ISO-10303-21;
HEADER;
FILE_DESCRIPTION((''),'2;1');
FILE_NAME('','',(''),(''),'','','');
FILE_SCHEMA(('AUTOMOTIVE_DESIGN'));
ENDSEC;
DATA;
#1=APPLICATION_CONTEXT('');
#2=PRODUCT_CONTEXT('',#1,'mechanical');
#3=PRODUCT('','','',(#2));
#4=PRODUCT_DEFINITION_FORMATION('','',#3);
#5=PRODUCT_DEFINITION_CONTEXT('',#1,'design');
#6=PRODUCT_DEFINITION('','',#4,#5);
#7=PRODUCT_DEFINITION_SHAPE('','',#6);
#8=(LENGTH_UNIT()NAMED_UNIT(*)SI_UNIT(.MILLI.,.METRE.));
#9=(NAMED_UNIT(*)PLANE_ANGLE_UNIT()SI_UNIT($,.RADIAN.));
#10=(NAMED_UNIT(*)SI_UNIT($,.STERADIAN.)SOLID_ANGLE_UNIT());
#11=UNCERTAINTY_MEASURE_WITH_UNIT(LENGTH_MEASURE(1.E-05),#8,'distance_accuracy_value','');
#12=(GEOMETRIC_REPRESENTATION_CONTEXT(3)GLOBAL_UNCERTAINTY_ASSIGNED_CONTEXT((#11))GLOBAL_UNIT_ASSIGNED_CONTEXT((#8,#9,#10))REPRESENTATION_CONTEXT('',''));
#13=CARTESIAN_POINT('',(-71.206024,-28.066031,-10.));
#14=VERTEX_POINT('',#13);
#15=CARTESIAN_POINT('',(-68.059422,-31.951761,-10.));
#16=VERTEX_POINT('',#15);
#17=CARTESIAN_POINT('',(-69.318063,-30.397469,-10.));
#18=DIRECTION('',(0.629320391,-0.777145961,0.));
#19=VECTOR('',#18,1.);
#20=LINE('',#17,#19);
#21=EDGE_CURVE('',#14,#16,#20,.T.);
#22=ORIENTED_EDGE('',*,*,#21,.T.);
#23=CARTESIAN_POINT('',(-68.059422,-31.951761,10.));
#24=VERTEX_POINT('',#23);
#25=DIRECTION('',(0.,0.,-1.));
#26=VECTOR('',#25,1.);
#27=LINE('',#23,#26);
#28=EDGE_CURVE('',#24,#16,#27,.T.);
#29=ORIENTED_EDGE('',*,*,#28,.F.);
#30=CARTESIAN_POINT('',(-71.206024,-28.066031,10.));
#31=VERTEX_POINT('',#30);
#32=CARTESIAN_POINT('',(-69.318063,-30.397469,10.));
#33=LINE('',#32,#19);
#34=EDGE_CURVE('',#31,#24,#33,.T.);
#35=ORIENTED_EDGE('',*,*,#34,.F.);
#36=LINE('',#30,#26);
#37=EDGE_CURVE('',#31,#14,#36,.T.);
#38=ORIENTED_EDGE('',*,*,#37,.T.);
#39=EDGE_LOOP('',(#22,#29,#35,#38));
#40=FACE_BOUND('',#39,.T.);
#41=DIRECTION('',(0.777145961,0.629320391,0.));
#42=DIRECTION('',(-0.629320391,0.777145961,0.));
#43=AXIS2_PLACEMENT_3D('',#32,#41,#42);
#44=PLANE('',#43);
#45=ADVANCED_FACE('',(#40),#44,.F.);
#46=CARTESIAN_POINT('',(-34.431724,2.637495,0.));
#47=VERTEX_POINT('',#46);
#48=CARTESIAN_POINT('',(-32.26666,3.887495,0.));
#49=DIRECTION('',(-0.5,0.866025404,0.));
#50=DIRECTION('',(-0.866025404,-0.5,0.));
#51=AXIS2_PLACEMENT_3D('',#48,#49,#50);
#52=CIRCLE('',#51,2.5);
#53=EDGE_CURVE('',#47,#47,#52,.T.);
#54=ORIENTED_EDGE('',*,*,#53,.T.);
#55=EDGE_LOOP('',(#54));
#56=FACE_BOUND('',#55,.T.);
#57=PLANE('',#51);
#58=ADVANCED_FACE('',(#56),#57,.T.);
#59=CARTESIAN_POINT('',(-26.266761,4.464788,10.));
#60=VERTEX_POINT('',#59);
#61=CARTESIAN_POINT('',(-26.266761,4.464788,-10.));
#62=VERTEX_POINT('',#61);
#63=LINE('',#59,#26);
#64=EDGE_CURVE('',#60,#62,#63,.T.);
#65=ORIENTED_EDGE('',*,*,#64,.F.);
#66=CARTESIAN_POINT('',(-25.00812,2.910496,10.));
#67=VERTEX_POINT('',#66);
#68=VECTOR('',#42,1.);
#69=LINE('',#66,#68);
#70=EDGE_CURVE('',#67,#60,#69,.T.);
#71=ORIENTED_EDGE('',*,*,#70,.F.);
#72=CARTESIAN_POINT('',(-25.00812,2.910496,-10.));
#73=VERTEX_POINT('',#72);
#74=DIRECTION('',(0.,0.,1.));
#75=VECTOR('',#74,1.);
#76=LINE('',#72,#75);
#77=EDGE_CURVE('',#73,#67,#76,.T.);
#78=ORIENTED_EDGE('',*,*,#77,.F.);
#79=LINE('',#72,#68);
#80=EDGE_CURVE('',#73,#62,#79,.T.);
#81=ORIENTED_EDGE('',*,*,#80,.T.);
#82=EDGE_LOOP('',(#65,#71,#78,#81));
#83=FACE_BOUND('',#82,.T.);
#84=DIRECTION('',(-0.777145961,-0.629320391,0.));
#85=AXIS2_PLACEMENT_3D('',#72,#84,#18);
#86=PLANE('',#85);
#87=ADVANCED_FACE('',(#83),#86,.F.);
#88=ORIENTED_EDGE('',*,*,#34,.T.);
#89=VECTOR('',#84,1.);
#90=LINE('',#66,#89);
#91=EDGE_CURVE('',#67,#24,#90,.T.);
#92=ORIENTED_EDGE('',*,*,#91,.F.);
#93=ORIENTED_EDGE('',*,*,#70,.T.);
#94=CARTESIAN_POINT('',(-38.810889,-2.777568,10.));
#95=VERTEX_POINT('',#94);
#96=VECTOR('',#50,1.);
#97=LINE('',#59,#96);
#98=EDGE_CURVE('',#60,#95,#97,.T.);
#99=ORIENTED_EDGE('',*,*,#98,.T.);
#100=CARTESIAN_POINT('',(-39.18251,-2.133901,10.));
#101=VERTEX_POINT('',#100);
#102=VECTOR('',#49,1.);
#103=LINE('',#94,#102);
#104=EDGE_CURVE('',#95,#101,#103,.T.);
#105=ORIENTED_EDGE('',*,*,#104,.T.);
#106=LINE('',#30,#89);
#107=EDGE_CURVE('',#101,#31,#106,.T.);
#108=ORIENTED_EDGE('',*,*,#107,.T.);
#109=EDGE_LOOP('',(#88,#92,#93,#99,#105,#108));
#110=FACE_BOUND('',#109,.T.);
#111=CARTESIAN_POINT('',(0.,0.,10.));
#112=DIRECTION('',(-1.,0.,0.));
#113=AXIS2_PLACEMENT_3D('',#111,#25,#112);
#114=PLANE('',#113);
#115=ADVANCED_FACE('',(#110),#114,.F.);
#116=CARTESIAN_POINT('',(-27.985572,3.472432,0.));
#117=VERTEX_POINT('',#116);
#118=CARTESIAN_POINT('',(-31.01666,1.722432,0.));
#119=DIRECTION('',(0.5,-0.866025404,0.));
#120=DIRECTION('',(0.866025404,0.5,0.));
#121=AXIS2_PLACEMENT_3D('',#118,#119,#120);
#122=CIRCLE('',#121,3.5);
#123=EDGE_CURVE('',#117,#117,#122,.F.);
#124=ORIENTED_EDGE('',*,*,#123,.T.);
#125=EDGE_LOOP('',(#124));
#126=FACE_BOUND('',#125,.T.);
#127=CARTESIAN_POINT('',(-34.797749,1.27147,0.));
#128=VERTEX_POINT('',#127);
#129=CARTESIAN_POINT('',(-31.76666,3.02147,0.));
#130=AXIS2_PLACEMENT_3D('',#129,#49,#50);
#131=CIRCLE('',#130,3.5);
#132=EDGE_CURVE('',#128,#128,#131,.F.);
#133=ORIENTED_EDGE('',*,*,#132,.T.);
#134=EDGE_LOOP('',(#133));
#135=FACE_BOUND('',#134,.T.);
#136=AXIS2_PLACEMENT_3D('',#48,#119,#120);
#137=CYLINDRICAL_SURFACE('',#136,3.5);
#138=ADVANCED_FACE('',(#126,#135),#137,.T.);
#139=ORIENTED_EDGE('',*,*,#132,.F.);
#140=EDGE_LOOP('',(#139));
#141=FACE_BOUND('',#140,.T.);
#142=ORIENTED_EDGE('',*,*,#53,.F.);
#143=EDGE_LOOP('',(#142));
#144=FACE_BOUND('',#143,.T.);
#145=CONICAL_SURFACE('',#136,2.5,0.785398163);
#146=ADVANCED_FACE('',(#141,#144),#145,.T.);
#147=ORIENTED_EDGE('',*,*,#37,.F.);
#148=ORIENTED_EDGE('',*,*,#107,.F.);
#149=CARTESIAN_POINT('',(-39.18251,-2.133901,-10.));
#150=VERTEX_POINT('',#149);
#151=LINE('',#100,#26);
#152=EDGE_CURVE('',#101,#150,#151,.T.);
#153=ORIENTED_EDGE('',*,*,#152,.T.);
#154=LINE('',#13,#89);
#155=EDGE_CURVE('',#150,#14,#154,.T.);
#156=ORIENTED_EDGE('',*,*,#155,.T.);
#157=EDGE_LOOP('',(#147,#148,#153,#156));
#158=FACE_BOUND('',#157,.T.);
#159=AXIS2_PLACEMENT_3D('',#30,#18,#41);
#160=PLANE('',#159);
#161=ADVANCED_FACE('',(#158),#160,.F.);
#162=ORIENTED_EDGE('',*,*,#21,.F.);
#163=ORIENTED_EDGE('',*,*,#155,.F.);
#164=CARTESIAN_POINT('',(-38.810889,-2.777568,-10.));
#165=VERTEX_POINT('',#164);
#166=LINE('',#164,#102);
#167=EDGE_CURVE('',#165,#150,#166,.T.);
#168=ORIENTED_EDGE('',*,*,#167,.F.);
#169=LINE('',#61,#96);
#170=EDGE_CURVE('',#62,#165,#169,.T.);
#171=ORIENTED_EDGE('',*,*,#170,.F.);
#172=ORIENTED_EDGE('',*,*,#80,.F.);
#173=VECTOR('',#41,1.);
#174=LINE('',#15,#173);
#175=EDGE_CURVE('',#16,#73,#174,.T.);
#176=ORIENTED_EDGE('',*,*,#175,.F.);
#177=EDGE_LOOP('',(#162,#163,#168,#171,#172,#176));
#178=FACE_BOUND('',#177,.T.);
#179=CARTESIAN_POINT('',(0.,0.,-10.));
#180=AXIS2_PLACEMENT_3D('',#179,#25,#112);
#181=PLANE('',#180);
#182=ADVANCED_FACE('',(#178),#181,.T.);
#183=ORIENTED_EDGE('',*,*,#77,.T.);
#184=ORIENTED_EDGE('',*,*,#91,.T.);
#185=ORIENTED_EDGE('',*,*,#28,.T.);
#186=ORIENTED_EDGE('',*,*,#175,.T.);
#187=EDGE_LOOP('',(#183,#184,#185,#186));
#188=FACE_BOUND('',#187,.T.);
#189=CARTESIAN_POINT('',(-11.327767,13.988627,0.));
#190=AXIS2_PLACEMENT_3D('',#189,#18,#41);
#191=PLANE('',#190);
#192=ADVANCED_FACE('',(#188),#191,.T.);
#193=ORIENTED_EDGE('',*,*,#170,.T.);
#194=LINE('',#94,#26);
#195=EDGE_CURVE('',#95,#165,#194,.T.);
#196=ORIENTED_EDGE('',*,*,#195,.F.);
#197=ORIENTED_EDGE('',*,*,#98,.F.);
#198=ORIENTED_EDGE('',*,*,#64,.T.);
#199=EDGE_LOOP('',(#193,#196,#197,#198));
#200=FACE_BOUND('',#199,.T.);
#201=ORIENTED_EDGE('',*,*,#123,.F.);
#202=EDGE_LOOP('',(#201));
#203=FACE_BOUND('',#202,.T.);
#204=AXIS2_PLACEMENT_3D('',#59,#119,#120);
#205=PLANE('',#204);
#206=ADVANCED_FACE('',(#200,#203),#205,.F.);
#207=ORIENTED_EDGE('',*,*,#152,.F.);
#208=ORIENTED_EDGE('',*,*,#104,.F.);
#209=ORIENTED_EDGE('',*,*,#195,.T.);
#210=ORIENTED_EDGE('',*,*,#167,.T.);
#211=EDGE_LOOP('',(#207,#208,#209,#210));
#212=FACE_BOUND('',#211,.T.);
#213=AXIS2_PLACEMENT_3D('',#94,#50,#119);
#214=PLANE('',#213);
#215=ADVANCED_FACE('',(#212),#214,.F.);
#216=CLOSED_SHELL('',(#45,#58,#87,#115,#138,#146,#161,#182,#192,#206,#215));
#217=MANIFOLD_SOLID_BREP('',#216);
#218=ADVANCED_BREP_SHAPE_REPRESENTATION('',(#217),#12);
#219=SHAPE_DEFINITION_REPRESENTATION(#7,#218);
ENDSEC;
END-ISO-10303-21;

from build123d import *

# Parameters (mm, degrees)
EXTRUDE_1_DEPTH     = 9
SKETCH_2_R          = 3.5
CUT_EXTRUDE_1_DEPTH = 18
EXTRUDE_2_DEPTH     = 10
EXTRUDE_START       = 2.5
SKETCH_4_R          = 3.5
EXTRUDE_3_DEPTH     = 2.5
CHAMFER_1_SIZE      = 1
EXTRUDE_4_DEPTH     = 10
SKETCH_7_W          = 63.046601733
SKETCH_7_H          = 81.446187988
CUT_EXTRUDE_2_DEPTH = 10
SKETCH_8_W          = 55.396674472
SKETCH_8_H          = 20
EXTRUDE_5_DEPTH     = 2


with BuildPart() as part:
    # 草图1 → 凸台-拉伸1 (new, symmetric)
    with BuildSketch(Plane.XY):
        with BuildLine():
            Line((-38.810889132, -2.777568136), (-8.5, 14.722431864))
            ThreePointArc((-8.5, 14.722431864), (-1.481647627, 16.935309868), (5.814342437, 15.974774553))
            Line((5.814342437, 15.974774553), (6.498382723, 17.854159795))
            ThreePointArc((6.498382723, 17.854159795), (-1.655959112, 18.927699264), (-9.5, 16.454482672))
            Line((-9.5, 16.454482672), (-39.810889132, -1.045517328))
            Line((-39.810889132, -1.045517328), (-38.810889132, -2.777568136))
        make_face()
    extrude(amount=EXTRUDE_1_DEPTH, both=True)

    # 草图2 → 切除-拉伸1 (cut)
    with BuildSketch(Plane(origin=(-9.5, 16.454482672, 0), x_dir=(0.8660254037844398, 0.49999999999999806, 0), z_dir=(-0.49999999999999806, 0.8660254037844398, 0))):
        with Locations(Location((-26, 0, 0), (0, 0, 180))):
            Circle(SKETCH_2_R)
    extrude(amount=-CUT_EXTRUDE_1_DEPTH, mode=Mode.SUBTRACT)

    # 草图7 → 切除-拉伸2 (cut, symmetric)
    with BuildSketch(Plane.XY):
        with Locations((-23.889592718, 14.899687111)):
            Rectangle(SKETCH_7_W, SKETCH_7_H)
    extrude(amount=CUT_EXTRUDE_2_DEPTH, both=True, mode=Mode.SUBTRACT)


with BuildPart() as body_2:
    # 草图3 → 凸台-拉伸2 (new, symmetric)
    with BuildSketch(Plane.XY):
        Polygon((-26.266761163, 4.464787524), (-69.318063007, -30.397469317), (-71.206024181, -28.066031433), (-42.87484181, -5.123892308), align=None)
    extrude(amount=EXTRUDE_2_DEPTH, both=True)

    # 草图4 → 凸台-拉伸3 (add)
    with BuildSketch(Plane(origin=(-8.5, 14.722431864, 0), x_dir=(0.8660254037844386, 0.5000000000000001, 0), z_dir=(-0.5000000000000001, 0.8660254037844386, 0)).offset(EXTRUDE_START)):
        with Locations((-26, 0)):
            Circle(SKETCH_4_R)
    extrude(amount=-EXTRUDE_3_DEPTH)

    # 倒角1
    chamfer_1_edges = [body_2.edges().sort_by_distance(p)[0] for p in [
        (-35.297749412, 2.137495374, 0),
    ]]
    chamfer(chamfer_1_edges, length=CHAMFER_1_SIZE)

    # 草图6 → 凸台-拉伸4 (add, symmetric)
    with BuildSketch(Plane.XY):
        Polygon((-38.810889132, -2.777568136), (-39.182510373, -2.133901265), (-42.87484181, -5.123892308), align=None)
    extrude(amount=EXTRUDE_4_DEPTH, both=True)

    # 草图8 → 凸台-拉伸5 (add)
    with BuildSketch(Plane(origin=(-12.586407821, 15.542919229, 0), x_dir=(0.7771459614569706, 0.6293203910498378, 0), z_dir=(0.6293203910498378, -0.7771459614569706, 0))):
        with Locations((-45.301662764, 0)):
            Rectangle(SKETCH_8_W, SKETCH_8_H)
    extrude(amount=EXTRUDE_5_DEPTH)


solid = body_2.part
